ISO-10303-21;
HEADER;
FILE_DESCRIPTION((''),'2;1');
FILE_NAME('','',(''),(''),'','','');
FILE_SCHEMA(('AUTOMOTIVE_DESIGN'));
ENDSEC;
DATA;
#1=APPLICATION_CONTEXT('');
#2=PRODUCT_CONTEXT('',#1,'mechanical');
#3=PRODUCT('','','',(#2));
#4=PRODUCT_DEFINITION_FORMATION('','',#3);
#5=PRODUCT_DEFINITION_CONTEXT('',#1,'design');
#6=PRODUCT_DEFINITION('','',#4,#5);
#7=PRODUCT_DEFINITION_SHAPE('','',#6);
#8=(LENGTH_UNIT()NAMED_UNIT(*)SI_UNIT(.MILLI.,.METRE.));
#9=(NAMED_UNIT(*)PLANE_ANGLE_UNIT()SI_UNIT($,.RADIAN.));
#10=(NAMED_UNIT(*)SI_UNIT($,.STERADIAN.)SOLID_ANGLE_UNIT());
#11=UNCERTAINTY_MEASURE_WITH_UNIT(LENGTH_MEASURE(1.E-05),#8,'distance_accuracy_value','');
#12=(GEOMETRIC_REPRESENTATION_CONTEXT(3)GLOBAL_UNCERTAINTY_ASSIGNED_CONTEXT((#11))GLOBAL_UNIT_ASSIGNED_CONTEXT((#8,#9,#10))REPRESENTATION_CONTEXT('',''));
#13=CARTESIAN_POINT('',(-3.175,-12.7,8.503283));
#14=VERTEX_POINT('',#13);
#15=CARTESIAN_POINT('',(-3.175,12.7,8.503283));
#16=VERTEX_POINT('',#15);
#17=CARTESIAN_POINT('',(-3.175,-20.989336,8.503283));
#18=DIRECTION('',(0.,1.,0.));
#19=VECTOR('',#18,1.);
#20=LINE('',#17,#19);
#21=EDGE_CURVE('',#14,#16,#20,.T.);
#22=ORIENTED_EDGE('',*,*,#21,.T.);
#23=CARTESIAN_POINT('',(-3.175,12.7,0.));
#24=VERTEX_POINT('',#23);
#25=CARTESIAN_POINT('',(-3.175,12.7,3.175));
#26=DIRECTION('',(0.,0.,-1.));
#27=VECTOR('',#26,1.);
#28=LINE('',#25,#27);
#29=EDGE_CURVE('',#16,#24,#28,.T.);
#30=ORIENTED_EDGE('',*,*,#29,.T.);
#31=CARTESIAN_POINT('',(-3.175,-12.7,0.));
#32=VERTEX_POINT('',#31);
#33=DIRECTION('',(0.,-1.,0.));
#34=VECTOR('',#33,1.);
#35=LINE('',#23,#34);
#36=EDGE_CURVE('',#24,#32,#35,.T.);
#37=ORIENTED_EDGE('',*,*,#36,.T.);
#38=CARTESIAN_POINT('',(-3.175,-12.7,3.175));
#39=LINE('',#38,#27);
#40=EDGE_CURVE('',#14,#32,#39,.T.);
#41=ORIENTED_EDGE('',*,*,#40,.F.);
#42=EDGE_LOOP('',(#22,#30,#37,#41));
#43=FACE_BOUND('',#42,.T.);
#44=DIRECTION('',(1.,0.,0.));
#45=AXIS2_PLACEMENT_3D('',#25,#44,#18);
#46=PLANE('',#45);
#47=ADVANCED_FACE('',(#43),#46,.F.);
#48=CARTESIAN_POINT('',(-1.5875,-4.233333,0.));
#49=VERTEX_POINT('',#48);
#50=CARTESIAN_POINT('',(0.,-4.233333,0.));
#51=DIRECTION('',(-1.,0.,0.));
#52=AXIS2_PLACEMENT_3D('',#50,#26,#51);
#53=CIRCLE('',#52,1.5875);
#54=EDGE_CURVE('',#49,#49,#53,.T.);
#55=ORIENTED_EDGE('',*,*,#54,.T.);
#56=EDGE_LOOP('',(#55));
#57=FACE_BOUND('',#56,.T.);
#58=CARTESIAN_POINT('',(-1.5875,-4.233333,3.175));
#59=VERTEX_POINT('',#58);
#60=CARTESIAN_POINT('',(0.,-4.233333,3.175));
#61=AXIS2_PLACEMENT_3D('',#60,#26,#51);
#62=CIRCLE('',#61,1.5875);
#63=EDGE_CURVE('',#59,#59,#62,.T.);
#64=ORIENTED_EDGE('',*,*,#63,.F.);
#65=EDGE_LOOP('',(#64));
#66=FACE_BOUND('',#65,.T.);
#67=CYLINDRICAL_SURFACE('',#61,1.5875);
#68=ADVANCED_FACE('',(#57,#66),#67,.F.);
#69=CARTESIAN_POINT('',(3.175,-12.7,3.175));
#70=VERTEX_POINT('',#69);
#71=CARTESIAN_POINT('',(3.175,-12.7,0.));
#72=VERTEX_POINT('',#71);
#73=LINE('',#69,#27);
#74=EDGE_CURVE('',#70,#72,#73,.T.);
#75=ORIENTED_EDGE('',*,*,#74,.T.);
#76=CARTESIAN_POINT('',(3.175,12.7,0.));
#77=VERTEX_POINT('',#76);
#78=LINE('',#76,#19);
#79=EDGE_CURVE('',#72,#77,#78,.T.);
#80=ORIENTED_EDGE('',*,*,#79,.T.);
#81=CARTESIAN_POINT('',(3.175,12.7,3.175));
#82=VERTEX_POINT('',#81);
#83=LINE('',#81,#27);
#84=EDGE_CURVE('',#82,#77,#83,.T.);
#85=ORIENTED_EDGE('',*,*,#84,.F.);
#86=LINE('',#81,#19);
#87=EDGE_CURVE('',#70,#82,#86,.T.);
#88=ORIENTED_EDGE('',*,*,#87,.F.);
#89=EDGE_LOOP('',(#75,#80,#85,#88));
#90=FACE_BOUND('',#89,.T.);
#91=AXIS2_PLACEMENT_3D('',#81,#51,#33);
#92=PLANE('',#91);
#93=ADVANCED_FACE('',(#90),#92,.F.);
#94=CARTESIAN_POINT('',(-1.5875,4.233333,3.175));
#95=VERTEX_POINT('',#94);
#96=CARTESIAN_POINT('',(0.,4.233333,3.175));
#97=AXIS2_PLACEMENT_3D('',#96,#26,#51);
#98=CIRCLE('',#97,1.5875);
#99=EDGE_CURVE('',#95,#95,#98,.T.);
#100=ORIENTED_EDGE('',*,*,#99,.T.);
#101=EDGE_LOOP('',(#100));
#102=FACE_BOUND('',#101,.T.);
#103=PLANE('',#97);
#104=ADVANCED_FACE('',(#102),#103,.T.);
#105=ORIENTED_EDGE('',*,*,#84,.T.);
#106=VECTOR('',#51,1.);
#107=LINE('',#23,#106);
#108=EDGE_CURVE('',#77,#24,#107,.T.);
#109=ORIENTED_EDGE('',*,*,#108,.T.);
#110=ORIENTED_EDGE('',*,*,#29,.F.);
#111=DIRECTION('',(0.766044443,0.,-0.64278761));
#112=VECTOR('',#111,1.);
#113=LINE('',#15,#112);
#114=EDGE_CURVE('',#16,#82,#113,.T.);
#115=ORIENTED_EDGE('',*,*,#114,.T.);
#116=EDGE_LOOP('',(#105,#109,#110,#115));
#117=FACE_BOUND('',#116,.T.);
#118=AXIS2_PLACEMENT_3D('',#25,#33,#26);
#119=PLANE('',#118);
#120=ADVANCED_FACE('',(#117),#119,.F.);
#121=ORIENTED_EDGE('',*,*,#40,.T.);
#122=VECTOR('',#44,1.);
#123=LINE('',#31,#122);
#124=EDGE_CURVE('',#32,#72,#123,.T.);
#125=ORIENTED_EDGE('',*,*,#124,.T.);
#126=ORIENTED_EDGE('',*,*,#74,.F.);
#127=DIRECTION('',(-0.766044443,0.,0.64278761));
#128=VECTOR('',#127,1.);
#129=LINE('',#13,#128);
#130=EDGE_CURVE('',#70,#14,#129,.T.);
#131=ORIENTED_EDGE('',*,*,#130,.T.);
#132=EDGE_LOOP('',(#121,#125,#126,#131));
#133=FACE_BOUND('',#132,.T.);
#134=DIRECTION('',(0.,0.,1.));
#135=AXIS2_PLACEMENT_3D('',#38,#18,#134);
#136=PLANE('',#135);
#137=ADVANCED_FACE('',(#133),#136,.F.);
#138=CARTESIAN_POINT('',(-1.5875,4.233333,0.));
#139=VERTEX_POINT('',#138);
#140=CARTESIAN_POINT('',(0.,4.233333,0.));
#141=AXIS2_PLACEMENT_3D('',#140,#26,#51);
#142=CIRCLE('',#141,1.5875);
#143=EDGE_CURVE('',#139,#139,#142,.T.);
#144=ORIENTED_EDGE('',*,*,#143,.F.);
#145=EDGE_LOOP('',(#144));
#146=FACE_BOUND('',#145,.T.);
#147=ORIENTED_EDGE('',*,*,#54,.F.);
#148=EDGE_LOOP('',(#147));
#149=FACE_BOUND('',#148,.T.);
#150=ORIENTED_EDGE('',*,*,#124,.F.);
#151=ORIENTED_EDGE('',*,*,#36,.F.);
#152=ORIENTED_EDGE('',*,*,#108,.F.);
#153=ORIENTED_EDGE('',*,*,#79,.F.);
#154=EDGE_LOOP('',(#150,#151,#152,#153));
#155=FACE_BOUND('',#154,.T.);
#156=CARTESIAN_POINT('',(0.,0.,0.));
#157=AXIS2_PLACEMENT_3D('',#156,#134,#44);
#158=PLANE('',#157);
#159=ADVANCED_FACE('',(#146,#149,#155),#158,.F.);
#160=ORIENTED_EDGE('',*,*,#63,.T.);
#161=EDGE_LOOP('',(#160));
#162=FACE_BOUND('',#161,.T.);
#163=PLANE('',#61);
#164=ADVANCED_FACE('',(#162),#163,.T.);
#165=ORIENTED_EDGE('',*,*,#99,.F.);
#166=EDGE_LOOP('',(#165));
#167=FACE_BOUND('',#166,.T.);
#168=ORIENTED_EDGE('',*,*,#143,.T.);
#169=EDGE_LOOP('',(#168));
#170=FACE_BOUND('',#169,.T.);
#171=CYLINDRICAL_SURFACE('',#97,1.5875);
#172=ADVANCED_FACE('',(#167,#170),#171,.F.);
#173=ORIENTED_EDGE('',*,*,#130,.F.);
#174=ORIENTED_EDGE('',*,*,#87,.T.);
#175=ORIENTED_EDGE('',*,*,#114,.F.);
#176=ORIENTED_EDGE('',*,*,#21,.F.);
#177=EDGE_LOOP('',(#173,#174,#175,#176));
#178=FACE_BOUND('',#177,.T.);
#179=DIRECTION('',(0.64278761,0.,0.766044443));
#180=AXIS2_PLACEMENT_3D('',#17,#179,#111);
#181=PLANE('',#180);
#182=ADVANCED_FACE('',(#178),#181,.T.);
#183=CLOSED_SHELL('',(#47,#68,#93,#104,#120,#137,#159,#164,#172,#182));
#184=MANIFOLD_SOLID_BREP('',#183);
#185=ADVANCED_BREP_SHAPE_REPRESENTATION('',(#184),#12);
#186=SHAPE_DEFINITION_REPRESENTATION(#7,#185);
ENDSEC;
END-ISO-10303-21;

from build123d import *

# Parameters (mm, degrees)
SKETCH1_W           = 6.35
SKETCH1_H           = 25.4
BOSS_EXTRUDE1_DEPTH = 3.175
BOSS_EXTRUDE2_DEPTH = 25.4
SKETCH3_R           = 1.5875
CUT_EXTRUDE1_DEPTH  = 3.175


with BuildPart() as part:
    # Sketch1 → Boss-Extrude1 (new body)
    with BuildSketch(Plane.XY):
        Rectangle(SKETCH1_W, SKETCH1_H)
    extrude(amount=BOSS_EXTRUDE1_DEPTH)

    # Sketch2 → Boss-Extrude2 (add)
    with BuildSketch(Plane(origin=(0, 12.7, 0), x_dir=(1, 0, 0), z_dir=(0, 1, 0))):
        Polygon((-3.175, -3.175), (-3.175, -8.503282658), (3.175, -3.175), align=None)
    extrude(amount=-BOSS_EXTRUDE2_DEPTH)

    # Sketch3 → Cut-Extrude1 (cut)
    with BuildSketch(Plane(origin=(0, 0, 0), x_dir=(-1, 0, 0), z_dir=(0, 0, -1))):
        with Locations((0, 4.233333333)):
            Circle(SKETCH3_R)
        with Locations((0, -4.233333333)):
            Circle(SKETCH3_R)
    extrude(amount=-CUT_EXTRUDE1_DEPTH, mode=Mode.SUBTRACT)


solid = part.part
